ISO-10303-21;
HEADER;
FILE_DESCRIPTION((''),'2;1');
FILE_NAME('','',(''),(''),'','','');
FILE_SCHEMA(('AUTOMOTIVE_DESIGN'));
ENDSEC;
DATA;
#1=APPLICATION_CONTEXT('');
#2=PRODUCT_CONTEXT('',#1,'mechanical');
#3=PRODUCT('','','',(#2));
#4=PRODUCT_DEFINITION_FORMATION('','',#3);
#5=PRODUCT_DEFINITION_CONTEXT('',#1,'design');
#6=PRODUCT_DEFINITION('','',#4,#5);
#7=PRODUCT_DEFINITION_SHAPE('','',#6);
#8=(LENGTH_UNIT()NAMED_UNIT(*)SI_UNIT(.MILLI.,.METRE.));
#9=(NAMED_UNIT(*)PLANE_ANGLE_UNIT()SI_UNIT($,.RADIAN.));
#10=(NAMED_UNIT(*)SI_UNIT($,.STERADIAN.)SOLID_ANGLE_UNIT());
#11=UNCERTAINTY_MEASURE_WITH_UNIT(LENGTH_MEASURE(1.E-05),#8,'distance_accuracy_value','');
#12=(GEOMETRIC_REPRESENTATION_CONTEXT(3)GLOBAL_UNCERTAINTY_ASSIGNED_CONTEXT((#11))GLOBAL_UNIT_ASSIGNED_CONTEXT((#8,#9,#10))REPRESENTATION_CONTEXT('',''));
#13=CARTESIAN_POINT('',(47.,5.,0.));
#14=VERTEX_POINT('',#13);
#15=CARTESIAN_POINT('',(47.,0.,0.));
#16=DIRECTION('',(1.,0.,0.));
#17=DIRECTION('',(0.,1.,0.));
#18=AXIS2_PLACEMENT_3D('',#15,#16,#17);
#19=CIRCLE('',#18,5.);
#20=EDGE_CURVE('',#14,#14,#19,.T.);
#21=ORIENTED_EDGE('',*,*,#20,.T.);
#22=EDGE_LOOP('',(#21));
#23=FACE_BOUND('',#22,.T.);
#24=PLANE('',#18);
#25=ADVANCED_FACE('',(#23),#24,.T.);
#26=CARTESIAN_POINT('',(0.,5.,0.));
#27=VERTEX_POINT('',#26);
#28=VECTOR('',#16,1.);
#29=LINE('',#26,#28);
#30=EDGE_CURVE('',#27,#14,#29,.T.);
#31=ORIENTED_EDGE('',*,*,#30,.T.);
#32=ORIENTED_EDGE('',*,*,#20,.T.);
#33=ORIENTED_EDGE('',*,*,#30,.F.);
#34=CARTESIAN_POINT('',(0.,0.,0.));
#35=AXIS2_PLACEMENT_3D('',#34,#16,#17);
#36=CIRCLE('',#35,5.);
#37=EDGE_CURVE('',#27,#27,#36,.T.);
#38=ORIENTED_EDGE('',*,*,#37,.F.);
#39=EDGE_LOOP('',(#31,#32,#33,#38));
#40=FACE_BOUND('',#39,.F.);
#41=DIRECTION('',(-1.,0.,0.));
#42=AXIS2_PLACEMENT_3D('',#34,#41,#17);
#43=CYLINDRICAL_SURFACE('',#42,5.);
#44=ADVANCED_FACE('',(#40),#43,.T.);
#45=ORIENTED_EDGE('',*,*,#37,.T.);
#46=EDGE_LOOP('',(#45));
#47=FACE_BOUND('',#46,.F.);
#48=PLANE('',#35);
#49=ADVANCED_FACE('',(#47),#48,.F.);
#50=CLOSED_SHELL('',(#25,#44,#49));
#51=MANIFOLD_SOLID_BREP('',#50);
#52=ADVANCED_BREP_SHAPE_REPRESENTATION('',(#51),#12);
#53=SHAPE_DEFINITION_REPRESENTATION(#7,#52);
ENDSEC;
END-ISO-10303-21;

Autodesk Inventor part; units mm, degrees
ref_plane "YZ Plane" through (0, 0, 0) normal (1, 0, 0) x (0, 1, 0)
ref_plane "XZ Plane" through (0, 0, 0) normal (0, 1, 0) x (-1, 0, 0)
ref_plane "XY Plane" through (0, 0, 0) normal (0, 0, 1) x (1, 0, 0)
sketch "スケッチ1" plane through (0, 0, 0) normal (1, 0, 0) x (0, 1, 0)
  circle A0 centre (0, 0) radius 5
  dimension "d0" = 10
extrude "押し出し1" add sketch "スケッチ1" along normal blind 47
properties part number "base_weel-v1-Shaft-spesa-2" material "アルミニウム 6061"
